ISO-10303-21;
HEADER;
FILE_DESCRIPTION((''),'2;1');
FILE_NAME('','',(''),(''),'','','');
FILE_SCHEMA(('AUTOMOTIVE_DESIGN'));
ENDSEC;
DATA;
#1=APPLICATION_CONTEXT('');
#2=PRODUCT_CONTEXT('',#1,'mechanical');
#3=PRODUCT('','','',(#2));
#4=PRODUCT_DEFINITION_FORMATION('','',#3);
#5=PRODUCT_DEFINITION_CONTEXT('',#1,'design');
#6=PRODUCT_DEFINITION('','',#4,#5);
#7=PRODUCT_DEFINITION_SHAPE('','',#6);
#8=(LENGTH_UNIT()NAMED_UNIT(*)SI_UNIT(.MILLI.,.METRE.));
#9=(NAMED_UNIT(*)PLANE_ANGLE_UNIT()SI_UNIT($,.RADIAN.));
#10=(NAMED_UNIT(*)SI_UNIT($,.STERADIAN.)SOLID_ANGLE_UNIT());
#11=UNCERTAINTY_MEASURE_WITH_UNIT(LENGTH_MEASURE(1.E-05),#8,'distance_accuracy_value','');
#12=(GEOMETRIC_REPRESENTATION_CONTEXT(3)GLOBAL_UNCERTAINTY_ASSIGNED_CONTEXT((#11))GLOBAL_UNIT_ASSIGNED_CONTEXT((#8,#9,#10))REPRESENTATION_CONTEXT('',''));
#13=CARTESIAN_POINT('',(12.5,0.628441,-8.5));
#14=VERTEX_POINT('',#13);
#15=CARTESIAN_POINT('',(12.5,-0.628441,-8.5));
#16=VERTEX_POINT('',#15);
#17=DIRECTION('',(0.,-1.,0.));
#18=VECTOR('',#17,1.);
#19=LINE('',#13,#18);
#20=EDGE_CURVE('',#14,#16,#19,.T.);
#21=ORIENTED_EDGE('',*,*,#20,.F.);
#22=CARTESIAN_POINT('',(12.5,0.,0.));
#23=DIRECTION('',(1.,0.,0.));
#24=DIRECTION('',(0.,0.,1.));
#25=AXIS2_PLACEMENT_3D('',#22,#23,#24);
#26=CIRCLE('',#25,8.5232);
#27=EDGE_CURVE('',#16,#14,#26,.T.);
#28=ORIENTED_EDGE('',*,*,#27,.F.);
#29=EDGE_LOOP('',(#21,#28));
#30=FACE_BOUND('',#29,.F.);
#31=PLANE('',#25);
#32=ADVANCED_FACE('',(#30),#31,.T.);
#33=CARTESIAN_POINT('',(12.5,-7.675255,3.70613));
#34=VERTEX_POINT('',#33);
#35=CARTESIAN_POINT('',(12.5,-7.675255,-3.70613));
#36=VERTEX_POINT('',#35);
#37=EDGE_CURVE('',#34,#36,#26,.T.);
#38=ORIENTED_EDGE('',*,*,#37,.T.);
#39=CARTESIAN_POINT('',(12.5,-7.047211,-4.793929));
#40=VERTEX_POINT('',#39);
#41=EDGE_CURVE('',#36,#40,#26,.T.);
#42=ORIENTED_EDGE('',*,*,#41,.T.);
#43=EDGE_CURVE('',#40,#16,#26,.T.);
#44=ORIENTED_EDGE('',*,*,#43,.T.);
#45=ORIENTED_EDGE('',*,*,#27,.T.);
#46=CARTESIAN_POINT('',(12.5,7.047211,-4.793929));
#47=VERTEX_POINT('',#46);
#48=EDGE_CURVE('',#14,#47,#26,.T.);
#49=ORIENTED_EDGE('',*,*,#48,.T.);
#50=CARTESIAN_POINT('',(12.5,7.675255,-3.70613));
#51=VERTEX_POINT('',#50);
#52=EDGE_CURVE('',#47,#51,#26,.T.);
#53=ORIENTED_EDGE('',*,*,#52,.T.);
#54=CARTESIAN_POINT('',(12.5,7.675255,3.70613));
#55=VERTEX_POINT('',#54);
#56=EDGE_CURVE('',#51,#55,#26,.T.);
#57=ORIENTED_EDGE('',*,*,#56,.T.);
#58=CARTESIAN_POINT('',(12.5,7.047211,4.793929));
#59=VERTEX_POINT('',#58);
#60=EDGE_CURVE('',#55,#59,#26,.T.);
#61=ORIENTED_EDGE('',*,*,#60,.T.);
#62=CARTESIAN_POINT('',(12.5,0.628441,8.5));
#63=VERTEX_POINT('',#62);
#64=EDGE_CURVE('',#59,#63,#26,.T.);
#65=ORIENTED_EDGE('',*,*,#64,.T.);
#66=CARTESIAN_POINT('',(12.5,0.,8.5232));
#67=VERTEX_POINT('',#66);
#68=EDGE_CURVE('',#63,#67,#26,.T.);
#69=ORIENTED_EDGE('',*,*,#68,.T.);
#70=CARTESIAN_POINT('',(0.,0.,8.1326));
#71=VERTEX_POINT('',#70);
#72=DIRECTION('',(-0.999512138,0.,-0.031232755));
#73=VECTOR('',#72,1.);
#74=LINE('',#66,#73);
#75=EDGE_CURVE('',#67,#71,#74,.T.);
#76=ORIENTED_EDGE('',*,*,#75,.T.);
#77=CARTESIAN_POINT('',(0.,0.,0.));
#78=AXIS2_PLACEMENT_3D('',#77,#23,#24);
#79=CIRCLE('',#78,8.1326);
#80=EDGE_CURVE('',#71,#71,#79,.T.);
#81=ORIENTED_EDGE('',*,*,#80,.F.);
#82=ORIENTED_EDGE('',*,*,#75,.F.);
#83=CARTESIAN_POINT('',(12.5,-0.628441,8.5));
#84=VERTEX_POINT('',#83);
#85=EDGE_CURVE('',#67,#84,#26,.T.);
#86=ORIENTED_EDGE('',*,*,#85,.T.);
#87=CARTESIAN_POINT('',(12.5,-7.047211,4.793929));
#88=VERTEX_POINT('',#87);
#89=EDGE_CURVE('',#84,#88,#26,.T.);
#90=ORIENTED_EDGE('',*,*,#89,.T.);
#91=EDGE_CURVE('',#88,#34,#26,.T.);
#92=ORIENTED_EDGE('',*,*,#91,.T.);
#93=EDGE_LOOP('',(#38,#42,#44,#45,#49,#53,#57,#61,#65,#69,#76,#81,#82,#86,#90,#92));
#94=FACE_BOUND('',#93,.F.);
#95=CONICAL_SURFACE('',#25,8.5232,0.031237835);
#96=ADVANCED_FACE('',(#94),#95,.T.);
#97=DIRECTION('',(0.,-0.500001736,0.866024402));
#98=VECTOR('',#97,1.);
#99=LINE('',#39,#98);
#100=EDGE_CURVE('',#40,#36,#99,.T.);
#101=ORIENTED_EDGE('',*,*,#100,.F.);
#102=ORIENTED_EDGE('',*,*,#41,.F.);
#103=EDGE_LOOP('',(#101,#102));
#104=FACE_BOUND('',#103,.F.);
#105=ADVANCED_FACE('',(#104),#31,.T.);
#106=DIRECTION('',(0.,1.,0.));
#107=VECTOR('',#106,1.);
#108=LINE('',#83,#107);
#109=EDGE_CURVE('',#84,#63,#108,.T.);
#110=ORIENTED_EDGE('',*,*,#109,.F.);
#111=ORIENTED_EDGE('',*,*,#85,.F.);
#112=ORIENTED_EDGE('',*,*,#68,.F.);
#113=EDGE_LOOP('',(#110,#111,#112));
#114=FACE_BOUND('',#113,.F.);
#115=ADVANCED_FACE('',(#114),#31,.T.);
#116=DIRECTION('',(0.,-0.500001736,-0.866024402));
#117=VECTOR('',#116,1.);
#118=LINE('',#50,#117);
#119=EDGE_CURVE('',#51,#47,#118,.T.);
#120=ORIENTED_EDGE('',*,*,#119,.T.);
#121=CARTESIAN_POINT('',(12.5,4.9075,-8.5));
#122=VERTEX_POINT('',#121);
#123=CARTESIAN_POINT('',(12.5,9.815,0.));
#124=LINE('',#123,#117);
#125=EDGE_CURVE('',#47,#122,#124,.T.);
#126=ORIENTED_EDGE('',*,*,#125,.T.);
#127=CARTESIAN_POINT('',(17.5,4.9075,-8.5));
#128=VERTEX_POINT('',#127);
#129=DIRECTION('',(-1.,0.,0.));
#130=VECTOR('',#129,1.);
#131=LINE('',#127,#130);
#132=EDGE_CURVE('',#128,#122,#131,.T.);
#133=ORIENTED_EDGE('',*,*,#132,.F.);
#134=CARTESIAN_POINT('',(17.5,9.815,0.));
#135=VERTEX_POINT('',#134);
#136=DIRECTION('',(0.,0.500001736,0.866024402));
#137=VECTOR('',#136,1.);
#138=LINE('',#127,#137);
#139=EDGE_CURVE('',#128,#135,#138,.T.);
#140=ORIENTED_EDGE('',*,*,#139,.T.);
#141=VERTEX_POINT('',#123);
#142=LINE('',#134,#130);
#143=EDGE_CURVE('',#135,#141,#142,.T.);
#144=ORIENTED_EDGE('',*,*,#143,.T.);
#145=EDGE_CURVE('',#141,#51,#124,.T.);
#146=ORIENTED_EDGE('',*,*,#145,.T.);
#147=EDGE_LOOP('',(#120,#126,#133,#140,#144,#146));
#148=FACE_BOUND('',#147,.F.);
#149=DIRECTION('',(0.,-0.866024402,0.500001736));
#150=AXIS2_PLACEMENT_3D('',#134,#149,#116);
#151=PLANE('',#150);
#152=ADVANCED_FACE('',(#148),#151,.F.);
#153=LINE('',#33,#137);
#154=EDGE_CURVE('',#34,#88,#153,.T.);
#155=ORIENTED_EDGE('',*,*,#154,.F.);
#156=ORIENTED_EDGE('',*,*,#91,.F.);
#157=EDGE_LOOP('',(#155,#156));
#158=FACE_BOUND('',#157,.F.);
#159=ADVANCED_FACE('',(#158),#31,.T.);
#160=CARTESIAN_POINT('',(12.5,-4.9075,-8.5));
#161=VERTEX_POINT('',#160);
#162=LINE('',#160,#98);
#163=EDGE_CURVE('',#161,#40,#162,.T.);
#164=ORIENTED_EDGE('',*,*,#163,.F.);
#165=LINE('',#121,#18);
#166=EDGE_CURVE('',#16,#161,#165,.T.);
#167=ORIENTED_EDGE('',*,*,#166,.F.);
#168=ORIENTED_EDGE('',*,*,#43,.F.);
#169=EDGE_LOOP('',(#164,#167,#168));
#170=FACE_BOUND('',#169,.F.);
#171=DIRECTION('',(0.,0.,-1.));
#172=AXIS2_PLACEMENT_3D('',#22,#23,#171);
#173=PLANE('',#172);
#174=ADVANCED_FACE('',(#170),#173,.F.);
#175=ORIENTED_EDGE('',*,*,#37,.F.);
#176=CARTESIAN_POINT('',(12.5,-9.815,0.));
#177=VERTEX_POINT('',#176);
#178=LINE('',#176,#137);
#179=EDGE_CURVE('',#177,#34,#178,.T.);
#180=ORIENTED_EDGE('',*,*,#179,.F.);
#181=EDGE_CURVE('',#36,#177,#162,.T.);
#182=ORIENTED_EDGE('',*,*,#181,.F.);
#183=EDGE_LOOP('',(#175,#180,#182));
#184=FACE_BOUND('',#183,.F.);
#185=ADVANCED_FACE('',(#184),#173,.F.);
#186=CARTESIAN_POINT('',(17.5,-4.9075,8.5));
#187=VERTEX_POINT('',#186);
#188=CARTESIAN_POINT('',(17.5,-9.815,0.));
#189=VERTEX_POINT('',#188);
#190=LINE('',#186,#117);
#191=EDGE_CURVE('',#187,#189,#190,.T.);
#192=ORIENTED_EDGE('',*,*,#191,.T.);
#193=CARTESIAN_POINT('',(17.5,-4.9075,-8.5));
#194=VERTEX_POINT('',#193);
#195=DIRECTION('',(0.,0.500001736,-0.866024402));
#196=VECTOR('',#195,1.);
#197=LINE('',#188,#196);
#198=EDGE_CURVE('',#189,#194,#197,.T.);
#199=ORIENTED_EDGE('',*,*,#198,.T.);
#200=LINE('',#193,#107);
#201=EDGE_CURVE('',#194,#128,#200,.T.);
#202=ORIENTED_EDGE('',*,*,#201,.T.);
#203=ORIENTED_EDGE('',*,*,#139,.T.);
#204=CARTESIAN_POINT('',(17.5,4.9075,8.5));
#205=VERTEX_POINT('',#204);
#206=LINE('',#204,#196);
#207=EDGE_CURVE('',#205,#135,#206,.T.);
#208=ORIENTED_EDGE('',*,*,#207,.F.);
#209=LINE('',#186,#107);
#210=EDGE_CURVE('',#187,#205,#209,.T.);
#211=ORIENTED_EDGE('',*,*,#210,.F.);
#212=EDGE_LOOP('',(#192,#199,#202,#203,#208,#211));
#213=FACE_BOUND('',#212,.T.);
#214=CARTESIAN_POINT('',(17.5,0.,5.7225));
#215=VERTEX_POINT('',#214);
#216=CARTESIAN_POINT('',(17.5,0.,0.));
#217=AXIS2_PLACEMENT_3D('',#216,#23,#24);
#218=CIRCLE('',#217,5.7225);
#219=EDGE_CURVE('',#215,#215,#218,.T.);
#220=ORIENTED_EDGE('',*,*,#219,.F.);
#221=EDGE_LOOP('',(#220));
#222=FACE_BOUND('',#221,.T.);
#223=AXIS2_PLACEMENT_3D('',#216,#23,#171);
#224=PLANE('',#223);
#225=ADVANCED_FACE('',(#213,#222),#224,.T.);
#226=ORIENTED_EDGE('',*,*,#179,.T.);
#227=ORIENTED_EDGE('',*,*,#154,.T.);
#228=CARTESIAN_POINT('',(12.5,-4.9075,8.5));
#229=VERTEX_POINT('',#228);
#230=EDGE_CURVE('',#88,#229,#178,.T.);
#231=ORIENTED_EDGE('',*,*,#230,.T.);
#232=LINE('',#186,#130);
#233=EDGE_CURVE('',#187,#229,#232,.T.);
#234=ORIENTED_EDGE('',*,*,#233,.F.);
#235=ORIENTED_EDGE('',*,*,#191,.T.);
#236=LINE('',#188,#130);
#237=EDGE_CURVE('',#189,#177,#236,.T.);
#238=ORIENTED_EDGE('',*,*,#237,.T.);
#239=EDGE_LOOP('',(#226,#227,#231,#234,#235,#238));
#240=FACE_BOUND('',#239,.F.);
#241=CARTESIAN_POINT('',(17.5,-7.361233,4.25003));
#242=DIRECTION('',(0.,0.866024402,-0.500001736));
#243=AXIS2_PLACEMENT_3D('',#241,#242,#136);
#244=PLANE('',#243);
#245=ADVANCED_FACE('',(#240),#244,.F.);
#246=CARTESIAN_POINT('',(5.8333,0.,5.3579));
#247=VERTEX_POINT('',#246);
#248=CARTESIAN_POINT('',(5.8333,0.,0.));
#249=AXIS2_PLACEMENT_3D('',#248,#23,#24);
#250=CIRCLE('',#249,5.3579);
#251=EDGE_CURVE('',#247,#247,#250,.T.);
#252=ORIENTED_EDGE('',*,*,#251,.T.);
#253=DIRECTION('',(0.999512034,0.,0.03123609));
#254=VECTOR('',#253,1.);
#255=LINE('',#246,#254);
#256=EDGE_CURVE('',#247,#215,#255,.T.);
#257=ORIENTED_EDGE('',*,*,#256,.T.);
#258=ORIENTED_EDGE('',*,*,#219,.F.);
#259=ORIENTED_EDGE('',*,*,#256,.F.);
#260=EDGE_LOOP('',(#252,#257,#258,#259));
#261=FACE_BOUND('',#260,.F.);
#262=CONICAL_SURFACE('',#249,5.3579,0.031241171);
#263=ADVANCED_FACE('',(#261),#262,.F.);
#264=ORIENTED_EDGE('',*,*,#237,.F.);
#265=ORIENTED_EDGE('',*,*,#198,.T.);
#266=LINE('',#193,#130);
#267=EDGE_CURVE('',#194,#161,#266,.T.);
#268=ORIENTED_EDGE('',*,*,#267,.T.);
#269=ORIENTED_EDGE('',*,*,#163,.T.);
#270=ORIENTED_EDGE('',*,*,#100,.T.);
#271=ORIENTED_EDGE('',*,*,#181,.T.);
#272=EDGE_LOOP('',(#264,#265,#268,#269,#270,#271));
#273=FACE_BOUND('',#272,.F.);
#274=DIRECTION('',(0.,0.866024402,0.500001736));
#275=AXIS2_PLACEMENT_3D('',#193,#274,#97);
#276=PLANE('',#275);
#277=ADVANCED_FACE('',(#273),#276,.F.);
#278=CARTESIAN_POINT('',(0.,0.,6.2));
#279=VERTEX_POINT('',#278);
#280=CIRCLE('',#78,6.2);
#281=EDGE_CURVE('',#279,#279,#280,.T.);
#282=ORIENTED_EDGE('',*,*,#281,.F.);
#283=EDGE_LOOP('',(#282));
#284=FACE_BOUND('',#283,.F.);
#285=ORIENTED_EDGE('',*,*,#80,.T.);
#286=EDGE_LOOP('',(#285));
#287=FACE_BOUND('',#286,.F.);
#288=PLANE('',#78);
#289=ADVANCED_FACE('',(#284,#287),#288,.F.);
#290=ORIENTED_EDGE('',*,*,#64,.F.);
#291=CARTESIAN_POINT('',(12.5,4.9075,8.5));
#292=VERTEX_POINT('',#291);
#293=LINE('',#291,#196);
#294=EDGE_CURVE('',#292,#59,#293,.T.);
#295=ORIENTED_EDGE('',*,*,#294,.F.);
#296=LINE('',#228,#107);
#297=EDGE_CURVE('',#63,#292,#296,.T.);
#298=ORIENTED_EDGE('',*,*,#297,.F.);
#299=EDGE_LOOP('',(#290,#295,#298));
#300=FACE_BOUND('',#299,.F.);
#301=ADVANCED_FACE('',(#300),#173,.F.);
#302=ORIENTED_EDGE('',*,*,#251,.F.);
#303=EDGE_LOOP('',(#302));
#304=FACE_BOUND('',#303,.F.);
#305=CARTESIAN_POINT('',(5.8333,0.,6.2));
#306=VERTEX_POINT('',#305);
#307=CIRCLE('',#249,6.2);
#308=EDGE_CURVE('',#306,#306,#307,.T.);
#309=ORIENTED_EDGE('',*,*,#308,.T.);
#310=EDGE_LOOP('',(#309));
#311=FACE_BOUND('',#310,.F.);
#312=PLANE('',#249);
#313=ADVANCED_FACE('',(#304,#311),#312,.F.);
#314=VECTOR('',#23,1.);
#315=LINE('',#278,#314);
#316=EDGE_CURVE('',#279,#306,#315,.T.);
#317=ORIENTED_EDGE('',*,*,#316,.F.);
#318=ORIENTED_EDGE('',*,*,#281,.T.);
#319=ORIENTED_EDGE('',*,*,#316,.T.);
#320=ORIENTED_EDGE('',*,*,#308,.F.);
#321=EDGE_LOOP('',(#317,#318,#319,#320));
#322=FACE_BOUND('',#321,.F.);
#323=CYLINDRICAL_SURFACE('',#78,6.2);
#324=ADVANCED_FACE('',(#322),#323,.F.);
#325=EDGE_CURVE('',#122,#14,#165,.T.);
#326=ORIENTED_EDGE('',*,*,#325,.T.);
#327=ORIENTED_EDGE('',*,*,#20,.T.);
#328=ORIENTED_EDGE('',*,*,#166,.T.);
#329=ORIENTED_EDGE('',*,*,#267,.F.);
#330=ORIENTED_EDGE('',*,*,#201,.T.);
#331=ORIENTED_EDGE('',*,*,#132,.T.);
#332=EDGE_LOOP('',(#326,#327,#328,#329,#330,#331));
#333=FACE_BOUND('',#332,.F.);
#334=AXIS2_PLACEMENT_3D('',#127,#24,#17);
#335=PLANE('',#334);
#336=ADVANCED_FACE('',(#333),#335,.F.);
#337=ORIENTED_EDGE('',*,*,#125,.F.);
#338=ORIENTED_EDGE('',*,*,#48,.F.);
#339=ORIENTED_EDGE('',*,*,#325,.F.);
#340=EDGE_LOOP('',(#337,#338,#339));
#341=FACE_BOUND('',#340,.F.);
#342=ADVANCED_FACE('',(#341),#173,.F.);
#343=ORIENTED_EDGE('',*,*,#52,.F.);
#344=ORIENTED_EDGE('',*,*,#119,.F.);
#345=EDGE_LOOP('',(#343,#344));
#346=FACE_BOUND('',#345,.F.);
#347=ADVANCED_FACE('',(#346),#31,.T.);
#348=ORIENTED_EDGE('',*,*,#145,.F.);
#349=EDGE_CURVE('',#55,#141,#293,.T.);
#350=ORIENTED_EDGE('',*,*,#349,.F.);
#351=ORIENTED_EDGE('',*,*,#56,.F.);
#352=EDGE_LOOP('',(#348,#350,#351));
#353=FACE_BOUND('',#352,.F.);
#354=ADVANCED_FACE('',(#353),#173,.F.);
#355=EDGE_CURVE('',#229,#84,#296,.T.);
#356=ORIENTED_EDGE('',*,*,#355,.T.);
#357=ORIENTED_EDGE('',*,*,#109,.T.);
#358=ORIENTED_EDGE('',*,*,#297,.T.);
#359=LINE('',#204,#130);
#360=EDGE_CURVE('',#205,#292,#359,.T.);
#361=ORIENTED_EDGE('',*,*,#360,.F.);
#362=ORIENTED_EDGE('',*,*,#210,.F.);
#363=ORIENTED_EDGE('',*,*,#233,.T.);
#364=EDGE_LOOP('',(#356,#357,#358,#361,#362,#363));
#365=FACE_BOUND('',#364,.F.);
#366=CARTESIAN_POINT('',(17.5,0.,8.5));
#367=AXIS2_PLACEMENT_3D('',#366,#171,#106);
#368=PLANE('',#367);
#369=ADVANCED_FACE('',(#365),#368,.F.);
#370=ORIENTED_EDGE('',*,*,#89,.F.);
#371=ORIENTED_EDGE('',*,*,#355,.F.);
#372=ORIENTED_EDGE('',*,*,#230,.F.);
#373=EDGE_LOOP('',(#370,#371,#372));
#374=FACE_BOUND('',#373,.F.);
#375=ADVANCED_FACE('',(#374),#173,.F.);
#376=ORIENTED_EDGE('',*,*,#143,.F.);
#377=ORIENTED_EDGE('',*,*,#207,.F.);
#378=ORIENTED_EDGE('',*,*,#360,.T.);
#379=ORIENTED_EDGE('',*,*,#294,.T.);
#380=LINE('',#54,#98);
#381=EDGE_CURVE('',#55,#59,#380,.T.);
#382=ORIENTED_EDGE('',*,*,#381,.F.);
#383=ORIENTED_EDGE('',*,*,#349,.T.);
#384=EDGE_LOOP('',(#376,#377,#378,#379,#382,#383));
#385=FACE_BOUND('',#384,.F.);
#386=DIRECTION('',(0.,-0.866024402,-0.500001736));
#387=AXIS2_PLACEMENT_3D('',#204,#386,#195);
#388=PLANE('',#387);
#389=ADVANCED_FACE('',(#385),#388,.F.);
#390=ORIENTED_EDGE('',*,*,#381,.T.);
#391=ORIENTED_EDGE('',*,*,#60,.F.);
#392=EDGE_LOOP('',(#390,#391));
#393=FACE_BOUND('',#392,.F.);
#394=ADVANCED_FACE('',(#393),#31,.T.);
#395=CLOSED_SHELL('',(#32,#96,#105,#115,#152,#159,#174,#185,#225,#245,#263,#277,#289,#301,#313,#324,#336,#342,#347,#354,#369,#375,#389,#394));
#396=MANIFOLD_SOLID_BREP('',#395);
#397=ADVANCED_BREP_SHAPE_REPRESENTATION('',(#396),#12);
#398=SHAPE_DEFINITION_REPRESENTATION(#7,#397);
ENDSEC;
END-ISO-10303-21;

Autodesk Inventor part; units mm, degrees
ref_plane "YZ Plane" through (0, 0, 0) normal (1, 0, 0) x (0, 1, 0)
ref_plane "XZ Plane" through (0, 0, 0) normal (0, 1, 0) x (-1, 0, 0)
ref_plane "XY Plane" through (0, 0, 0) normal (0, 0, 1) x (1, 0, 0)
sketch "Sketch1" plane through (0, 0, 0) normal (0, 1, 0) x (-1, 0, 0)
  line L0 (0, 0) -> (-17.5, 0)
  line L1 (-17.5, 0) -> (-17.5, 5.7225) construction
  line L2 (-17.5, 8.5) -> (-12.5, 8.5)
  line L3 (-12.5, 8.5) -> (-12.5, 8.5)
  line L4 (-17.5, 8.5) -> (-17.5, 5.7225)
  line L5 (-12.5, 8.5) -> (-12.5, 8.5232)
  line L6 (-12.5, 8.5232) -> (0, 8.1326)
  line L7 (0, 8.1326) -> (0, 6.2)
  line L8 (-5.8333, 5.3579) -> (-17.5, 5.7225)
  line L9 (0, 6.2) -> (0, 0) construction
  line L10 (0, 6.2) -> (-5.8333, 6.2)
  line L11 (-5.8333, 6.2) -> (-5.8333, 5.3579)
  line L12 (-6.35, 8.331) -> (-6.35, 0) construction
  dimension "d0" = 11.445
  dimension "d1" = 17
  dimension "d4" = 17.5
  dimension "d5" = 5
  dimension "d7" = 1.79
  dimension "d9" = 12.4
  dimension "d10" = 5.8333
  dimension "d38" = 6.35
  dimension "d39" = 16.662
revolve "Revolve1" add sketch "Sketch1" angle 360 about axis through (0, 0, 0) along (1, 0, 0)
sketch "Sketch2" plane through (17.5, 0, 0) normal (1, 0, 0) x (0, 0, -1)
  circle A0 centre (0, 0) radius 8.5 projected
  line L0 (-8.5, 4.9075) -> (0, 9.815)
  line L1 (0, 9.815) -> (8.5, 4.9075)
  line L2 (8.5, 4.9075) -> (8.5, -4.9075)
  line L3 (8.5, -4.9075) -> (0, -9.815)
  line L4 (0, -9.815) -> (-8.5, -4.9075)
  line L5 (-8.5, -4.9075) -> (-8.5, 4.9075)
  point P0 (-8.5, 0)
extrude "Extrude1" add sketch "Sketch2" against normal blind 5 contours L2 L3 A0 | A0 L1 L2 | A0 L0 L1 | L3 L4 A0 | A0 L5 L0 | L4 L5 A0
thread "Gwint1" size "R 3/8" standard "ISO Taper" full length
thread "Gwint2" size "Rc 1/4" standard "ISO Taper Internal" full length
equation "\"d0\" = MD"
equation "\"d1\" = S"
equation "\"d4\" = L"
equation "\"d5\" = m1"
equation "\"d9\" = D3"
equation "\"d10\" = 0.333333 * L"
equation "\"d38\" = a"
equation "\"d39\" = MjD"
equation "\"d2\" = m1"
equation "\"MD\" = 11.445"
equation "\"m1\" = 5"
equation "\"S\" = 17"
equation "\"L\" = 17.5"
equation "\"D3\" = 12.4"
equation "\"a\" = 6.35"
equation "\"MjD\" = 16.662"
equation "\"a1\" = 3.7"
equation "\"Size_Designation\" = 1.2345"
properties part number "ISO 4145 Tuleja redukcyjna N4 3/8 x 1/4" material "Aluminium AW-7020"
